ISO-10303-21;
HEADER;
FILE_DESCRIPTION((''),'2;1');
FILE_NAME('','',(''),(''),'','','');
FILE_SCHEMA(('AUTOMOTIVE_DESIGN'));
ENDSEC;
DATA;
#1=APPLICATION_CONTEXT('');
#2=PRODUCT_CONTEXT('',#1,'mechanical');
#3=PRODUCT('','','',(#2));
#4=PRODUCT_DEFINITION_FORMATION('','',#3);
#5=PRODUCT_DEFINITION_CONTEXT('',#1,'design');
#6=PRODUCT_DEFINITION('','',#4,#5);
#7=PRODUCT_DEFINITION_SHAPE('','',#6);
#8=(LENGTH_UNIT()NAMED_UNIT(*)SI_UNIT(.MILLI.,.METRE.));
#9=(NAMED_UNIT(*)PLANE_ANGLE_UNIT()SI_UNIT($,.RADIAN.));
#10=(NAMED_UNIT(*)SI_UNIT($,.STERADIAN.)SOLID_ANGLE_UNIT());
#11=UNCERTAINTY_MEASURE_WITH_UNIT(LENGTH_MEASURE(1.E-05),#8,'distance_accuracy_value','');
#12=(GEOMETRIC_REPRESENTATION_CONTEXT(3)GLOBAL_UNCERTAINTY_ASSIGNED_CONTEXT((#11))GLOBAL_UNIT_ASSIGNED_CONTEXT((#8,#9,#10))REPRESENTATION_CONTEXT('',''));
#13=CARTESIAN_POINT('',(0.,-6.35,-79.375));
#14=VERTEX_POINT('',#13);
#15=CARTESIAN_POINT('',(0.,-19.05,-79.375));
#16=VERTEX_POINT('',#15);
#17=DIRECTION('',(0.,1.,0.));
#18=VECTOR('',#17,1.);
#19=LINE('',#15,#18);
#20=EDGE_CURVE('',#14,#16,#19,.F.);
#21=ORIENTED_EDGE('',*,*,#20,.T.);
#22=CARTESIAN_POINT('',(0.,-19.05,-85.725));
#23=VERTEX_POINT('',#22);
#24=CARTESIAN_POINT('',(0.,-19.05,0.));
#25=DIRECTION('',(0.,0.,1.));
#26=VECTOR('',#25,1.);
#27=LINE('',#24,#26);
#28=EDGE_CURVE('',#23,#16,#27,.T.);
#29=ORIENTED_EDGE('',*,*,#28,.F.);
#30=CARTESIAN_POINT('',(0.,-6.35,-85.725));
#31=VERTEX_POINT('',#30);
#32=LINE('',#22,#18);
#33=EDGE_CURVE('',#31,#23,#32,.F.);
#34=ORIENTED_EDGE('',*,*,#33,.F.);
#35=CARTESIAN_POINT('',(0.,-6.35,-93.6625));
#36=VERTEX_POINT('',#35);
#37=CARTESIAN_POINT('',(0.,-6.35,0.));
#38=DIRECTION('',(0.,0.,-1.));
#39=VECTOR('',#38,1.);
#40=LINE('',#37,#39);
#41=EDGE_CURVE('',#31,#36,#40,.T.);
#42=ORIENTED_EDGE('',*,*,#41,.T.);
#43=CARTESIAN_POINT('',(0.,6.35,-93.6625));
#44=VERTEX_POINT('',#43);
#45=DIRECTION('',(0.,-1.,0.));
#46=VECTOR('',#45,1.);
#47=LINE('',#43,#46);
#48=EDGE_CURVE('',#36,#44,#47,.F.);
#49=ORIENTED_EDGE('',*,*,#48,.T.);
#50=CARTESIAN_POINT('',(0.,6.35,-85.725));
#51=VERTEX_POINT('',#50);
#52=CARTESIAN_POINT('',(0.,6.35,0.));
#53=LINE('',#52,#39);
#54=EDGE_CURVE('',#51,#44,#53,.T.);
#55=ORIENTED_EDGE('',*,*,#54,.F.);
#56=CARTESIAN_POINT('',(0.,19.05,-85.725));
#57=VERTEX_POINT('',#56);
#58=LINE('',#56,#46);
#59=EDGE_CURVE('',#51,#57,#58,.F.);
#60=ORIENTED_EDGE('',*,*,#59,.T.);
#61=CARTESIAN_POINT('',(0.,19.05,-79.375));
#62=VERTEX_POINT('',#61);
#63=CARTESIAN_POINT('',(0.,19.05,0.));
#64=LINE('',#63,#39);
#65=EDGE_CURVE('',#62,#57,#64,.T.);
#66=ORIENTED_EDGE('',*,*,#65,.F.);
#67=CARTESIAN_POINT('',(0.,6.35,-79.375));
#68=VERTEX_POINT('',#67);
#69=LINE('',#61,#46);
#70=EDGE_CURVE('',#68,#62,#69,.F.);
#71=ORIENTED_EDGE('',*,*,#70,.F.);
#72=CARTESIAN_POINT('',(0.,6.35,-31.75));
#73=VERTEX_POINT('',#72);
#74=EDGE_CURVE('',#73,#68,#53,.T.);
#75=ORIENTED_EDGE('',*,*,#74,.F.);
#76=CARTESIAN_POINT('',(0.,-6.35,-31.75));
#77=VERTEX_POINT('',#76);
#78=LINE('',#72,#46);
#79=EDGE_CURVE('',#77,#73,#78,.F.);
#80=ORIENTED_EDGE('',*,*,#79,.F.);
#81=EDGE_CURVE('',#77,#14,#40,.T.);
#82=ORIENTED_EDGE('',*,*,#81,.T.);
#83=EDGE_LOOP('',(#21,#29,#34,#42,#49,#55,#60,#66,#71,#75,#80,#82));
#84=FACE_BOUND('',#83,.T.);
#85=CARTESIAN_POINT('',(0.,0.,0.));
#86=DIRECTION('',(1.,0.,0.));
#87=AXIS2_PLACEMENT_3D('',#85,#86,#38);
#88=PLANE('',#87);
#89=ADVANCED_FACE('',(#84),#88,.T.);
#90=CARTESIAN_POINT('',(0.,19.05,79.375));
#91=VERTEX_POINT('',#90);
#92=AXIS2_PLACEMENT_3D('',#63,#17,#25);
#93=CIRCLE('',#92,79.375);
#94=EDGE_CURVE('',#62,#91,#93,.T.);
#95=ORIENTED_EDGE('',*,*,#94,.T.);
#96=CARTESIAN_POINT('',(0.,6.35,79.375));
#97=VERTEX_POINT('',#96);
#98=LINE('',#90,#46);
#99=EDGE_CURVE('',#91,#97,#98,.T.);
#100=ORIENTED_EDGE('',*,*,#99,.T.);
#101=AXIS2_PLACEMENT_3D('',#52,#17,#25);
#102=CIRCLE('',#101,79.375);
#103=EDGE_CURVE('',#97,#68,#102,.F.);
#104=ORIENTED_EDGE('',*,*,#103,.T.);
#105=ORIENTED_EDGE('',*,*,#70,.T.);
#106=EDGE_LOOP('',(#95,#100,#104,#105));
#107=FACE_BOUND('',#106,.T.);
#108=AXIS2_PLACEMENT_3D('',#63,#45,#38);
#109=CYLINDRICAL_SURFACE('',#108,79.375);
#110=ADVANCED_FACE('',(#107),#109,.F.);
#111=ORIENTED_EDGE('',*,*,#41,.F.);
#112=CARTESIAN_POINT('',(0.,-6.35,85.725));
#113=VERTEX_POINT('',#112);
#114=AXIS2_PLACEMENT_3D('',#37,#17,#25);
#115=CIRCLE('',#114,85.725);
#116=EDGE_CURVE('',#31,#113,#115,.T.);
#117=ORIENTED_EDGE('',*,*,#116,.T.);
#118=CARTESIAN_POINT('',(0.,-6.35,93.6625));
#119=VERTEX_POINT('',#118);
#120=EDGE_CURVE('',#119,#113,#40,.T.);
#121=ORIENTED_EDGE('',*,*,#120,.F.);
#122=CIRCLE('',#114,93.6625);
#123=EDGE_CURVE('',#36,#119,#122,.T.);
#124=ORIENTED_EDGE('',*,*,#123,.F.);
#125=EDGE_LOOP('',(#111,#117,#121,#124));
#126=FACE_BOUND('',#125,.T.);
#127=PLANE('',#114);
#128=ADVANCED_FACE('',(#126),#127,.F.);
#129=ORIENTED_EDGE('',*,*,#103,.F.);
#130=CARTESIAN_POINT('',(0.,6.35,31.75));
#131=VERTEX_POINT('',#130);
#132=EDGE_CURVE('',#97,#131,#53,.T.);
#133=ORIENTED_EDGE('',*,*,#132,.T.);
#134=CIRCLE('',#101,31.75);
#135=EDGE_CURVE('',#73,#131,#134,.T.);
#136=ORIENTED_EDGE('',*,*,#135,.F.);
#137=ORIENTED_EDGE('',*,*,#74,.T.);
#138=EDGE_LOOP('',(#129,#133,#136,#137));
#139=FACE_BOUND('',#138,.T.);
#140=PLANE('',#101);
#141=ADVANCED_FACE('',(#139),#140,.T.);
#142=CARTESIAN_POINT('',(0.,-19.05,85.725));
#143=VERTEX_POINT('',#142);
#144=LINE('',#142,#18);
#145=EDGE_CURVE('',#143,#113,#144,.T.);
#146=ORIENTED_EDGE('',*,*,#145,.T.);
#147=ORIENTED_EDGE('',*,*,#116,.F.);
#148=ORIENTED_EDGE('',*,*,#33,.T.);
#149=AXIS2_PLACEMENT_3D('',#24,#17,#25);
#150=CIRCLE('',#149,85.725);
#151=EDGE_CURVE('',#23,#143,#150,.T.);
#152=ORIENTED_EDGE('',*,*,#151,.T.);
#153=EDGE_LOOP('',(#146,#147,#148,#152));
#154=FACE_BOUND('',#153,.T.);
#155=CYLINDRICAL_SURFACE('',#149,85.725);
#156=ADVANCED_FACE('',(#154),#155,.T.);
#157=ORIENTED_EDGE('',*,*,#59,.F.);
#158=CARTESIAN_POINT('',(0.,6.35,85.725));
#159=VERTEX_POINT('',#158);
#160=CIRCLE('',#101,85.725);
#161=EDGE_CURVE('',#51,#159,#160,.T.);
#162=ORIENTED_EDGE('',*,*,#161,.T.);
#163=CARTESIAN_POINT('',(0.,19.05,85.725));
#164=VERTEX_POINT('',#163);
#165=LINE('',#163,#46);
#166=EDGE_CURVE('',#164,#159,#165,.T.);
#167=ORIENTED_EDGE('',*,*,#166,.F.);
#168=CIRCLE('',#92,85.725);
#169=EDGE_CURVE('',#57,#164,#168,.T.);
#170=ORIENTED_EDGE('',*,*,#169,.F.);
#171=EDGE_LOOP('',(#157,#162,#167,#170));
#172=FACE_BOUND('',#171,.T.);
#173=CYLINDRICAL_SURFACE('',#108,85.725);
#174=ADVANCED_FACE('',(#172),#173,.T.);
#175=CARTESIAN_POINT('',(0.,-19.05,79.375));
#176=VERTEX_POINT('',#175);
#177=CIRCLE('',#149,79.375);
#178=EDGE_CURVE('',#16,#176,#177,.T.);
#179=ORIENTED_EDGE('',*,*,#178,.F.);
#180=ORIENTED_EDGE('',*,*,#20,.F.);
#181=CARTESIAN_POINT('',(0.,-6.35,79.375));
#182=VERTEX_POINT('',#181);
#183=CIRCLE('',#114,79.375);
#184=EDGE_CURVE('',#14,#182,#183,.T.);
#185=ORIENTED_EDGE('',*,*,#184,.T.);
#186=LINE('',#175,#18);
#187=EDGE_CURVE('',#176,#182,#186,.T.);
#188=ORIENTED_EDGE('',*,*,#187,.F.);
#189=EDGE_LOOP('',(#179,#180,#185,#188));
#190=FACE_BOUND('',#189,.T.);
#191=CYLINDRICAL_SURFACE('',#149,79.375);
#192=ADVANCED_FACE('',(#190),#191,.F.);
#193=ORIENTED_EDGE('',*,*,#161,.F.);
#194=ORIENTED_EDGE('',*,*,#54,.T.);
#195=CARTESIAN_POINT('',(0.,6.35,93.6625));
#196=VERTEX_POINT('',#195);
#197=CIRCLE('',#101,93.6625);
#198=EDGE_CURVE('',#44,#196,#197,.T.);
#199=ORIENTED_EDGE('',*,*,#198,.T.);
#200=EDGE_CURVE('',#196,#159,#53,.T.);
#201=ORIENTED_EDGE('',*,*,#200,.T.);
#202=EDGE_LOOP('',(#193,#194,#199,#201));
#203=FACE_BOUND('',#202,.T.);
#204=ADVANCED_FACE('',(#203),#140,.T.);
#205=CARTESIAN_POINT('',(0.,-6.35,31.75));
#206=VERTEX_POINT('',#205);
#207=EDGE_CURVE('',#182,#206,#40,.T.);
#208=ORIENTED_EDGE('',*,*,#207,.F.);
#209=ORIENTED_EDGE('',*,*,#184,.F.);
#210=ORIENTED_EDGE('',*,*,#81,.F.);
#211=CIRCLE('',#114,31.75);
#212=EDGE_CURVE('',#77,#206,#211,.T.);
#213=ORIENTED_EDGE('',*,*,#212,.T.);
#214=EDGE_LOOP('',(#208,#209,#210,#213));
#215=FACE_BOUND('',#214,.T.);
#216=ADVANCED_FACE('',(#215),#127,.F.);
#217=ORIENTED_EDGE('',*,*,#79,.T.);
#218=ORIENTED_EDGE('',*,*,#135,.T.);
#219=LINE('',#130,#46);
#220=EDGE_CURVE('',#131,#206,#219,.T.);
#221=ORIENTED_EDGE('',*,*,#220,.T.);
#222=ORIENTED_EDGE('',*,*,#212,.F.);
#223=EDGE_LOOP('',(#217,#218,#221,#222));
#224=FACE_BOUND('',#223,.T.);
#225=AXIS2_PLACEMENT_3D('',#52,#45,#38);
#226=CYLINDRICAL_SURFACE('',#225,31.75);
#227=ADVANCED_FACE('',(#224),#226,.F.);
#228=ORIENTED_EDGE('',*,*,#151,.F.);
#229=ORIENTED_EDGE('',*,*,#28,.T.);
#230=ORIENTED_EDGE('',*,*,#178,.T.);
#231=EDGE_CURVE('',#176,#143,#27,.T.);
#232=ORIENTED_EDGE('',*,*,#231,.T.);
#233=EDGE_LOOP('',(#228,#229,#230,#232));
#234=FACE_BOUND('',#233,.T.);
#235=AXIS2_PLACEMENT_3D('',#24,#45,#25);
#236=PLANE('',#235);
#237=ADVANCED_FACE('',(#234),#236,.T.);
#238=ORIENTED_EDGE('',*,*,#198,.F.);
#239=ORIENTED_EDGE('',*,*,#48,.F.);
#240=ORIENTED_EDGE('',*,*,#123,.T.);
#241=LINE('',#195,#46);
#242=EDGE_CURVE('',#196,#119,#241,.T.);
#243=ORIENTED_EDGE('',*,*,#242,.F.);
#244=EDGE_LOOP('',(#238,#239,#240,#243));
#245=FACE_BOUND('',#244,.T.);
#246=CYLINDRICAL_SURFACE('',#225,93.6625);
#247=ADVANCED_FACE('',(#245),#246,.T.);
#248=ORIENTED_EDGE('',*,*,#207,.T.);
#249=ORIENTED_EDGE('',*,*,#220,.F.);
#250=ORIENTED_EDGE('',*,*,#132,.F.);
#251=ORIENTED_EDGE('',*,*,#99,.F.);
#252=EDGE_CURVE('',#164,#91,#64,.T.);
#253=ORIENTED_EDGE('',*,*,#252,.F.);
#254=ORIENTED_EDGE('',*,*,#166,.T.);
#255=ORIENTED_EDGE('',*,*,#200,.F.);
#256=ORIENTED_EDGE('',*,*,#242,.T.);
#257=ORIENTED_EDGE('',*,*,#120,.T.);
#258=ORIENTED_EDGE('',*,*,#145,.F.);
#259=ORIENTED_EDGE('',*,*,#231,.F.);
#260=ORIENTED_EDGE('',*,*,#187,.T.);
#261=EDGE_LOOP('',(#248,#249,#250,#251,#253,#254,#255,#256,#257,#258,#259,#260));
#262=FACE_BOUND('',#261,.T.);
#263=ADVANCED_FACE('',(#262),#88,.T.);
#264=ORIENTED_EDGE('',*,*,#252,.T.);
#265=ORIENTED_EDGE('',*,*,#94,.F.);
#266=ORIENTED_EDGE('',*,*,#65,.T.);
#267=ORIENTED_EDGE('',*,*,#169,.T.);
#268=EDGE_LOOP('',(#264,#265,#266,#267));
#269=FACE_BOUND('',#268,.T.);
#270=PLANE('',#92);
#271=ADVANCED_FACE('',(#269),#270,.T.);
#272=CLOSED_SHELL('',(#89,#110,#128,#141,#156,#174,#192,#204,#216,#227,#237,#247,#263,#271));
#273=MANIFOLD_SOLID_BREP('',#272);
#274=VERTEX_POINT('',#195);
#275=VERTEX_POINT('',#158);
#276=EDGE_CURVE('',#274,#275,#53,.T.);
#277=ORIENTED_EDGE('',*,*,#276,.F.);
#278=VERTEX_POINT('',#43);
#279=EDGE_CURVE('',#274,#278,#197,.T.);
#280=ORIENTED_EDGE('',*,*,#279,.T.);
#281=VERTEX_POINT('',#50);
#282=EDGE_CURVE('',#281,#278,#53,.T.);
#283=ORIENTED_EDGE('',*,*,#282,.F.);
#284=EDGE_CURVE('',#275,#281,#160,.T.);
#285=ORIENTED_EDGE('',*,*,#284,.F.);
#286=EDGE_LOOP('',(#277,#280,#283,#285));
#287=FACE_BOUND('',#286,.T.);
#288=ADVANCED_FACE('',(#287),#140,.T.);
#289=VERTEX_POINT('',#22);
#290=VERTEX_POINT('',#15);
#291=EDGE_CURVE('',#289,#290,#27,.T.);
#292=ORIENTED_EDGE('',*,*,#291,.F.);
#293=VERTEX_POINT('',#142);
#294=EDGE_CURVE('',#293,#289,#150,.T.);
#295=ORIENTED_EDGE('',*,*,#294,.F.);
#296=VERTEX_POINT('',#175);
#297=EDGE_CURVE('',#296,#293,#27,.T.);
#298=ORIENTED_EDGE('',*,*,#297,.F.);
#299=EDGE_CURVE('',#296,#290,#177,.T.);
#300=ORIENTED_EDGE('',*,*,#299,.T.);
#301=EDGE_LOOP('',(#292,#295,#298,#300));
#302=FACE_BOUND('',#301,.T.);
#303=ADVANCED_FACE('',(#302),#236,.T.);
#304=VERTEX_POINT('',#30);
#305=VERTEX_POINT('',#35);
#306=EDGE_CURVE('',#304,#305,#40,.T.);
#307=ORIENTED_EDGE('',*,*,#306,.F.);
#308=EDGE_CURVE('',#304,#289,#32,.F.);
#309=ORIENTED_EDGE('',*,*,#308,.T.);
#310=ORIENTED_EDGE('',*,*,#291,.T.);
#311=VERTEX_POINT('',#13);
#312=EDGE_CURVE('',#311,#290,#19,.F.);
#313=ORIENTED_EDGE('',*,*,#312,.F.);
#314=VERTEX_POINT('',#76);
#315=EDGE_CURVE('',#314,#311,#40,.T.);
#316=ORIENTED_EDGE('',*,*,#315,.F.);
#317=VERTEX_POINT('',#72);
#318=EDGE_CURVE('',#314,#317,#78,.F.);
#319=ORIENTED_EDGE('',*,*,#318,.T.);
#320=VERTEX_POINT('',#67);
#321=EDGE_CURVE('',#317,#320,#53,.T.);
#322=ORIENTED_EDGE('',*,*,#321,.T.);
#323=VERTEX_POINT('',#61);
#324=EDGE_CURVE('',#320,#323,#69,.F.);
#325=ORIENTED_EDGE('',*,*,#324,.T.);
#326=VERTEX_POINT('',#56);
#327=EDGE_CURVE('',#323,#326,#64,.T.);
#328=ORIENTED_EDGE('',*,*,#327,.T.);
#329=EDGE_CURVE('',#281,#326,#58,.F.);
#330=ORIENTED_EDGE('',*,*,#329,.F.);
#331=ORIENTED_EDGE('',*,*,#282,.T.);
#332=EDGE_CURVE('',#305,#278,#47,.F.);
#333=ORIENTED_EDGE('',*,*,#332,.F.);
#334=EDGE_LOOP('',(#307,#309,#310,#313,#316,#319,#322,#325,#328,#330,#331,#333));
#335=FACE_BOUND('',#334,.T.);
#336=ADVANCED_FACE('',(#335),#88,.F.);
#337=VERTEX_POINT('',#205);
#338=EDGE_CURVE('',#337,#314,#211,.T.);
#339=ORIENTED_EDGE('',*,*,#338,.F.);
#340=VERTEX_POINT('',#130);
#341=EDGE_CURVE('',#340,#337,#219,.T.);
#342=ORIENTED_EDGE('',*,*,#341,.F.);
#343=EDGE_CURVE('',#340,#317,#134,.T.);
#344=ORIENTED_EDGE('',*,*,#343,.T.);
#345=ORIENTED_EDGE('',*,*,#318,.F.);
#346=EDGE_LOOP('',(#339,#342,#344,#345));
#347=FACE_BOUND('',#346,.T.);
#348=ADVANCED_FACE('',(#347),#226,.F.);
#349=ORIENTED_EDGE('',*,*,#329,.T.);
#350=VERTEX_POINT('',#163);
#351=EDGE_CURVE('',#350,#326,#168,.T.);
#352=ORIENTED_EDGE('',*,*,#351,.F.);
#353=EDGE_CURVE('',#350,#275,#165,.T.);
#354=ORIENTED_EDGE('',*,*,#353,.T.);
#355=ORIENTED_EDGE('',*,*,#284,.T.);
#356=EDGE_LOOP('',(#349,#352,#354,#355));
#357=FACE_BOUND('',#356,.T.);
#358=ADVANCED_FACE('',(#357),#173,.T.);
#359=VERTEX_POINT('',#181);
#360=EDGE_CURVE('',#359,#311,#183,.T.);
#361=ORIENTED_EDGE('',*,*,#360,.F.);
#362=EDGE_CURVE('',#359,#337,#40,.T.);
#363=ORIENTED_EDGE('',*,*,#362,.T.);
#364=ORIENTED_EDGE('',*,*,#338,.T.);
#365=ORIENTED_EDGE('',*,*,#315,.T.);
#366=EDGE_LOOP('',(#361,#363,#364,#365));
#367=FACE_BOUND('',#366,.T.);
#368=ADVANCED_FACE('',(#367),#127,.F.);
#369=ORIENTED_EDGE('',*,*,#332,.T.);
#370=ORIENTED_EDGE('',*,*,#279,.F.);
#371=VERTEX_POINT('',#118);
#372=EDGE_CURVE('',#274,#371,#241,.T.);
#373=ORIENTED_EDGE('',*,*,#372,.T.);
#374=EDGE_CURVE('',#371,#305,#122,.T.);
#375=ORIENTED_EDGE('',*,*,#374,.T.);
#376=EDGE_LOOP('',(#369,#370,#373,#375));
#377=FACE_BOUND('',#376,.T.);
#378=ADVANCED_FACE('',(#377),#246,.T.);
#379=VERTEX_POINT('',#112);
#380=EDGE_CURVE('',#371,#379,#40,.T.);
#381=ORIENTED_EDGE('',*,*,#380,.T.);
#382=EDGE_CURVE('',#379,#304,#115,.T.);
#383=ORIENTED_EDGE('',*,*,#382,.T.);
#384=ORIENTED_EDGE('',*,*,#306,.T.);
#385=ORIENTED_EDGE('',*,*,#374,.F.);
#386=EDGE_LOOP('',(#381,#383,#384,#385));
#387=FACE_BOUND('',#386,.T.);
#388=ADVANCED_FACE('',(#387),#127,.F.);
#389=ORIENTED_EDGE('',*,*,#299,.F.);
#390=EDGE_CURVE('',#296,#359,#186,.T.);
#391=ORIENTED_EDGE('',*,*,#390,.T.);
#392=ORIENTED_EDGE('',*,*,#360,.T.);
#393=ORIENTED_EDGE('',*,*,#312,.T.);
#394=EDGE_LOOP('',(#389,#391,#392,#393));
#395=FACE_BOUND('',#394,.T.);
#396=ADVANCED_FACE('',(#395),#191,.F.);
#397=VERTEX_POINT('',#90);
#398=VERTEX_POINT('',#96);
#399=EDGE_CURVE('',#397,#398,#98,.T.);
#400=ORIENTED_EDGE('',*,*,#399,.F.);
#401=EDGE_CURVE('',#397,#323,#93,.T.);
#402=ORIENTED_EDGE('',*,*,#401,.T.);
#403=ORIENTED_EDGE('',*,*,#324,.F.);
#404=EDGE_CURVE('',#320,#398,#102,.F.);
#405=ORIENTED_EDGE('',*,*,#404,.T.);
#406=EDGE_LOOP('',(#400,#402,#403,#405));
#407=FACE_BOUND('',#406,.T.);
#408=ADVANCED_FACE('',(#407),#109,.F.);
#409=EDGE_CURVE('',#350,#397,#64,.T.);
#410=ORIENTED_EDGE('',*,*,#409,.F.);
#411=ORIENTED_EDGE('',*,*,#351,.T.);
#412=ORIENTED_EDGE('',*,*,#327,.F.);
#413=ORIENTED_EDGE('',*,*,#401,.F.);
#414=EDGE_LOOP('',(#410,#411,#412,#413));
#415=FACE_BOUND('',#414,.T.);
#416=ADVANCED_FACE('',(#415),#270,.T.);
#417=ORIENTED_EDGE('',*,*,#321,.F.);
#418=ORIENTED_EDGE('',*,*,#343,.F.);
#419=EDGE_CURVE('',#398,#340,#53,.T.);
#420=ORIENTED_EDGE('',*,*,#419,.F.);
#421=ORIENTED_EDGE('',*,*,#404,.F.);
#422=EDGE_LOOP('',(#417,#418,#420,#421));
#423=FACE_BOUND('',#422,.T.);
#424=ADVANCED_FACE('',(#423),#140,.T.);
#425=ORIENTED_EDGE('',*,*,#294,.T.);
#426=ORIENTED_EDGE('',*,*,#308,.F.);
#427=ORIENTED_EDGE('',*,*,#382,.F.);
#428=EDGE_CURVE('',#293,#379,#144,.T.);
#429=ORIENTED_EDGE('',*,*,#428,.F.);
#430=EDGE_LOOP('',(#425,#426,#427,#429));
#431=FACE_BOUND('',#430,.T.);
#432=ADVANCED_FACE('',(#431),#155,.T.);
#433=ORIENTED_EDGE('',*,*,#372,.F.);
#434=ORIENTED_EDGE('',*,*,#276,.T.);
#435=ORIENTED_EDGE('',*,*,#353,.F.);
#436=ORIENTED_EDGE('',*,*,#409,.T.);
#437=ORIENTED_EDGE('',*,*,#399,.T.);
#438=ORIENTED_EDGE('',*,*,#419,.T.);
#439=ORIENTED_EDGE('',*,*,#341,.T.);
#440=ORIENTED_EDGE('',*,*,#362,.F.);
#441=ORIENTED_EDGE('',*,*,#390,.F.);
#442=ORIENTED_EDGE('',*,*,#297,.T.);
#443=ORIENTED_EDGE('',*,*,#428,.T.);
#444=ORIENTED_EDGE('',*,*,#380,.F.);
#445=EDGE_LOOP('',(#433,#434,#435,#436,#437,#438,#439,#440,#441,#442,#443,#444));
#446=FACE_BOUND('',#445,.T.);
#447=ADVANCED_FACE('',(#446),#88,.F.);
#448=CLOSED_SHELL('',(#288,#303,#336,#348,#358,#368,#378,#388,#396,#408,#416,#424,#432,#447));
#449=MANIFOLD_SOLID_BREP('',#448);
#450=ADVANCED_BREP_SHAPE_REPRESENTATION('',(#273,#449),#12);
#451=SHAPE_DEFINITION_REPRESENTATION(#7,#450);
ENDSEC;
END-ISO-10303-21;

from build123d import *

# Parameters (mm, degrees)
SKETCH1_R            = 93.6625
SKETCH1_R_2          = 31.75
BOSS_EXTRUDE1_DEPTH  = 6.35
SKETCH5_R            = 85.725
SKETCH5_R_2          = 79.375
BOSS_EXTRUDE2_DEPTH  = 12.7
BOSS_EXTRUDE3_DEPTH  = 25.4
MIRROR5_COPY_1_DEPTH = 25.4
MIRROR5_COPY_2_DEPTH = 25.4


with BuildPart() as part:
    # Sketch1 → Boss-Extrude1 (new, symmetric)
    with BuildSketch(Plane(origin=(0, 0, 0), x_dir=(1, 0, 0), z_dir=(0, 1, 0))):
        with Locations(Location((0, 0, 0), (0, 0, 270))):
            Circle(SKETCH1_R)
        with Locations(Location((0, 0, 0), (0, 0, 270))):
            Circle(SKETCH1_R_2, mode=Mode.SUBTRACT)
    extrude(amount=BOSS_EXTRUDE1_DEPTH, both=True)

    # Sketch5 → Boss-Extrude2 (add)
    with BuildSketch(Plane(origin=(0, 6.35, 0), x_dir=(1, 0, 0), z_dir=(0, 1, 0))):
        with Locations(Location((0, 0, 0), (0, 0, 270))):
            Circle(SKETCH5_R)
        with Locations(Location((0, 0, 0), (0, 0, 270))):
            Circle(SKETCH5_R_2, mode=Mode.SUBTRACT)
    boss_extrude2 = extrude(amount=BOSS_EXTRUDE2_DEPTH)

    # Mirror1: Boss-Extrude2 across plane
    add(boss_extrude2.mirror(Plane.ZX))

    # Sketch7 → Boss-Extrude3 (add)
    with BuildSketch(Plane(origin=(0, 19.05, 0), x_dir=(1, 0, 0), z_dir=(0, 1, 0))):
        with BuildLine():
            Line((-25.787822327, 75.06916041), (-28.166257291, 80.965656764))
            ThreePointArc((-28.166257291, 80.965656764), (0, 85.725), (28.166257291, 80.965656764))
            Line((28.166257291, 80.965656764), (25.787822327, 75.06916041))
            ThreePointArc((25.787822327, 75.06916041), (0, 79.375), (-25.787822327, 75.06916041))
        make_face()
    boss_extrude3 = extrude(amount=-BOSS_EXTRUDE3_DEPTH)

    # Mirror3: Boss-Extrude3 across plane
    add(boss_extrude3.mirror(Plane.ZX))

    # Mirror4: Boss-Extrude3 across plane
    add(boss_extrude3.mirror(Plane.XY))

    # Mirror5 copy 1 sketch → Mirror5 copy 1 (add)
    with BuildSketch(Plane.XZ.offset(19.05)):
        with BuildLine():
            Line((-25.787822327, 75.06916041), (-28.166257291, 80.965656764))
            ThreePointArc((-28.166257291, 80.965656764), (0, 85.725), (28.166257291, 80.965656764))
            Line((28.166257291, 80.965656764), (25.787822327, 75.06916041))
            ThreePointArc((25.787822327, 75.06916041), (0, 79.375), (-25.787822327, 75.06916041))
        make_face()
    extrude(amount=-MIRROR5_COPY_1_DEPTH)

    # Mirror5 copy 2 sketch → Mirror5 copy 2 (add)
    with BuildSketch(Plane.XZ.offset(19.05)):
        with BuildLine():
            Line((-25.787822327, -75.06916041), (-28.166257291, -80.965656764))
            ThreePointArc((-28.166257291, -80.965656764), (0, -85.725), (28.166257291, -80.965656764))
            Line((28.166257291, -80.965656764), (25.787822327, -75.06916041))
            ThreePointArc((25.787822327, -75.06916041), (0, -79.375), (-25.787822327, -75.06916041))
        make_face()
    extrude(amount=-MIRROR5_COPY_2_DEPTH)


with BuildPart() as body_2:
    # Split1: the piece on the far side of the plane
    add(part.part)
    split(bisect_by=Plane(origin=(0, 0, 0), x_dir=(0, 0, 1), z_dir=(1, 0, 0)), keep=Keep.BOTTOM)


with BuildPart() as part_1:
    add(part.part)

    # Split1
    split(bisect_by=Plane(origin=(0, 0, 0), x_dir=(0, 0, 1), z_dir=(1, 0, 0)), keep=Keep.TOP)


solid = Compound([body_2.part, part_1.part])
